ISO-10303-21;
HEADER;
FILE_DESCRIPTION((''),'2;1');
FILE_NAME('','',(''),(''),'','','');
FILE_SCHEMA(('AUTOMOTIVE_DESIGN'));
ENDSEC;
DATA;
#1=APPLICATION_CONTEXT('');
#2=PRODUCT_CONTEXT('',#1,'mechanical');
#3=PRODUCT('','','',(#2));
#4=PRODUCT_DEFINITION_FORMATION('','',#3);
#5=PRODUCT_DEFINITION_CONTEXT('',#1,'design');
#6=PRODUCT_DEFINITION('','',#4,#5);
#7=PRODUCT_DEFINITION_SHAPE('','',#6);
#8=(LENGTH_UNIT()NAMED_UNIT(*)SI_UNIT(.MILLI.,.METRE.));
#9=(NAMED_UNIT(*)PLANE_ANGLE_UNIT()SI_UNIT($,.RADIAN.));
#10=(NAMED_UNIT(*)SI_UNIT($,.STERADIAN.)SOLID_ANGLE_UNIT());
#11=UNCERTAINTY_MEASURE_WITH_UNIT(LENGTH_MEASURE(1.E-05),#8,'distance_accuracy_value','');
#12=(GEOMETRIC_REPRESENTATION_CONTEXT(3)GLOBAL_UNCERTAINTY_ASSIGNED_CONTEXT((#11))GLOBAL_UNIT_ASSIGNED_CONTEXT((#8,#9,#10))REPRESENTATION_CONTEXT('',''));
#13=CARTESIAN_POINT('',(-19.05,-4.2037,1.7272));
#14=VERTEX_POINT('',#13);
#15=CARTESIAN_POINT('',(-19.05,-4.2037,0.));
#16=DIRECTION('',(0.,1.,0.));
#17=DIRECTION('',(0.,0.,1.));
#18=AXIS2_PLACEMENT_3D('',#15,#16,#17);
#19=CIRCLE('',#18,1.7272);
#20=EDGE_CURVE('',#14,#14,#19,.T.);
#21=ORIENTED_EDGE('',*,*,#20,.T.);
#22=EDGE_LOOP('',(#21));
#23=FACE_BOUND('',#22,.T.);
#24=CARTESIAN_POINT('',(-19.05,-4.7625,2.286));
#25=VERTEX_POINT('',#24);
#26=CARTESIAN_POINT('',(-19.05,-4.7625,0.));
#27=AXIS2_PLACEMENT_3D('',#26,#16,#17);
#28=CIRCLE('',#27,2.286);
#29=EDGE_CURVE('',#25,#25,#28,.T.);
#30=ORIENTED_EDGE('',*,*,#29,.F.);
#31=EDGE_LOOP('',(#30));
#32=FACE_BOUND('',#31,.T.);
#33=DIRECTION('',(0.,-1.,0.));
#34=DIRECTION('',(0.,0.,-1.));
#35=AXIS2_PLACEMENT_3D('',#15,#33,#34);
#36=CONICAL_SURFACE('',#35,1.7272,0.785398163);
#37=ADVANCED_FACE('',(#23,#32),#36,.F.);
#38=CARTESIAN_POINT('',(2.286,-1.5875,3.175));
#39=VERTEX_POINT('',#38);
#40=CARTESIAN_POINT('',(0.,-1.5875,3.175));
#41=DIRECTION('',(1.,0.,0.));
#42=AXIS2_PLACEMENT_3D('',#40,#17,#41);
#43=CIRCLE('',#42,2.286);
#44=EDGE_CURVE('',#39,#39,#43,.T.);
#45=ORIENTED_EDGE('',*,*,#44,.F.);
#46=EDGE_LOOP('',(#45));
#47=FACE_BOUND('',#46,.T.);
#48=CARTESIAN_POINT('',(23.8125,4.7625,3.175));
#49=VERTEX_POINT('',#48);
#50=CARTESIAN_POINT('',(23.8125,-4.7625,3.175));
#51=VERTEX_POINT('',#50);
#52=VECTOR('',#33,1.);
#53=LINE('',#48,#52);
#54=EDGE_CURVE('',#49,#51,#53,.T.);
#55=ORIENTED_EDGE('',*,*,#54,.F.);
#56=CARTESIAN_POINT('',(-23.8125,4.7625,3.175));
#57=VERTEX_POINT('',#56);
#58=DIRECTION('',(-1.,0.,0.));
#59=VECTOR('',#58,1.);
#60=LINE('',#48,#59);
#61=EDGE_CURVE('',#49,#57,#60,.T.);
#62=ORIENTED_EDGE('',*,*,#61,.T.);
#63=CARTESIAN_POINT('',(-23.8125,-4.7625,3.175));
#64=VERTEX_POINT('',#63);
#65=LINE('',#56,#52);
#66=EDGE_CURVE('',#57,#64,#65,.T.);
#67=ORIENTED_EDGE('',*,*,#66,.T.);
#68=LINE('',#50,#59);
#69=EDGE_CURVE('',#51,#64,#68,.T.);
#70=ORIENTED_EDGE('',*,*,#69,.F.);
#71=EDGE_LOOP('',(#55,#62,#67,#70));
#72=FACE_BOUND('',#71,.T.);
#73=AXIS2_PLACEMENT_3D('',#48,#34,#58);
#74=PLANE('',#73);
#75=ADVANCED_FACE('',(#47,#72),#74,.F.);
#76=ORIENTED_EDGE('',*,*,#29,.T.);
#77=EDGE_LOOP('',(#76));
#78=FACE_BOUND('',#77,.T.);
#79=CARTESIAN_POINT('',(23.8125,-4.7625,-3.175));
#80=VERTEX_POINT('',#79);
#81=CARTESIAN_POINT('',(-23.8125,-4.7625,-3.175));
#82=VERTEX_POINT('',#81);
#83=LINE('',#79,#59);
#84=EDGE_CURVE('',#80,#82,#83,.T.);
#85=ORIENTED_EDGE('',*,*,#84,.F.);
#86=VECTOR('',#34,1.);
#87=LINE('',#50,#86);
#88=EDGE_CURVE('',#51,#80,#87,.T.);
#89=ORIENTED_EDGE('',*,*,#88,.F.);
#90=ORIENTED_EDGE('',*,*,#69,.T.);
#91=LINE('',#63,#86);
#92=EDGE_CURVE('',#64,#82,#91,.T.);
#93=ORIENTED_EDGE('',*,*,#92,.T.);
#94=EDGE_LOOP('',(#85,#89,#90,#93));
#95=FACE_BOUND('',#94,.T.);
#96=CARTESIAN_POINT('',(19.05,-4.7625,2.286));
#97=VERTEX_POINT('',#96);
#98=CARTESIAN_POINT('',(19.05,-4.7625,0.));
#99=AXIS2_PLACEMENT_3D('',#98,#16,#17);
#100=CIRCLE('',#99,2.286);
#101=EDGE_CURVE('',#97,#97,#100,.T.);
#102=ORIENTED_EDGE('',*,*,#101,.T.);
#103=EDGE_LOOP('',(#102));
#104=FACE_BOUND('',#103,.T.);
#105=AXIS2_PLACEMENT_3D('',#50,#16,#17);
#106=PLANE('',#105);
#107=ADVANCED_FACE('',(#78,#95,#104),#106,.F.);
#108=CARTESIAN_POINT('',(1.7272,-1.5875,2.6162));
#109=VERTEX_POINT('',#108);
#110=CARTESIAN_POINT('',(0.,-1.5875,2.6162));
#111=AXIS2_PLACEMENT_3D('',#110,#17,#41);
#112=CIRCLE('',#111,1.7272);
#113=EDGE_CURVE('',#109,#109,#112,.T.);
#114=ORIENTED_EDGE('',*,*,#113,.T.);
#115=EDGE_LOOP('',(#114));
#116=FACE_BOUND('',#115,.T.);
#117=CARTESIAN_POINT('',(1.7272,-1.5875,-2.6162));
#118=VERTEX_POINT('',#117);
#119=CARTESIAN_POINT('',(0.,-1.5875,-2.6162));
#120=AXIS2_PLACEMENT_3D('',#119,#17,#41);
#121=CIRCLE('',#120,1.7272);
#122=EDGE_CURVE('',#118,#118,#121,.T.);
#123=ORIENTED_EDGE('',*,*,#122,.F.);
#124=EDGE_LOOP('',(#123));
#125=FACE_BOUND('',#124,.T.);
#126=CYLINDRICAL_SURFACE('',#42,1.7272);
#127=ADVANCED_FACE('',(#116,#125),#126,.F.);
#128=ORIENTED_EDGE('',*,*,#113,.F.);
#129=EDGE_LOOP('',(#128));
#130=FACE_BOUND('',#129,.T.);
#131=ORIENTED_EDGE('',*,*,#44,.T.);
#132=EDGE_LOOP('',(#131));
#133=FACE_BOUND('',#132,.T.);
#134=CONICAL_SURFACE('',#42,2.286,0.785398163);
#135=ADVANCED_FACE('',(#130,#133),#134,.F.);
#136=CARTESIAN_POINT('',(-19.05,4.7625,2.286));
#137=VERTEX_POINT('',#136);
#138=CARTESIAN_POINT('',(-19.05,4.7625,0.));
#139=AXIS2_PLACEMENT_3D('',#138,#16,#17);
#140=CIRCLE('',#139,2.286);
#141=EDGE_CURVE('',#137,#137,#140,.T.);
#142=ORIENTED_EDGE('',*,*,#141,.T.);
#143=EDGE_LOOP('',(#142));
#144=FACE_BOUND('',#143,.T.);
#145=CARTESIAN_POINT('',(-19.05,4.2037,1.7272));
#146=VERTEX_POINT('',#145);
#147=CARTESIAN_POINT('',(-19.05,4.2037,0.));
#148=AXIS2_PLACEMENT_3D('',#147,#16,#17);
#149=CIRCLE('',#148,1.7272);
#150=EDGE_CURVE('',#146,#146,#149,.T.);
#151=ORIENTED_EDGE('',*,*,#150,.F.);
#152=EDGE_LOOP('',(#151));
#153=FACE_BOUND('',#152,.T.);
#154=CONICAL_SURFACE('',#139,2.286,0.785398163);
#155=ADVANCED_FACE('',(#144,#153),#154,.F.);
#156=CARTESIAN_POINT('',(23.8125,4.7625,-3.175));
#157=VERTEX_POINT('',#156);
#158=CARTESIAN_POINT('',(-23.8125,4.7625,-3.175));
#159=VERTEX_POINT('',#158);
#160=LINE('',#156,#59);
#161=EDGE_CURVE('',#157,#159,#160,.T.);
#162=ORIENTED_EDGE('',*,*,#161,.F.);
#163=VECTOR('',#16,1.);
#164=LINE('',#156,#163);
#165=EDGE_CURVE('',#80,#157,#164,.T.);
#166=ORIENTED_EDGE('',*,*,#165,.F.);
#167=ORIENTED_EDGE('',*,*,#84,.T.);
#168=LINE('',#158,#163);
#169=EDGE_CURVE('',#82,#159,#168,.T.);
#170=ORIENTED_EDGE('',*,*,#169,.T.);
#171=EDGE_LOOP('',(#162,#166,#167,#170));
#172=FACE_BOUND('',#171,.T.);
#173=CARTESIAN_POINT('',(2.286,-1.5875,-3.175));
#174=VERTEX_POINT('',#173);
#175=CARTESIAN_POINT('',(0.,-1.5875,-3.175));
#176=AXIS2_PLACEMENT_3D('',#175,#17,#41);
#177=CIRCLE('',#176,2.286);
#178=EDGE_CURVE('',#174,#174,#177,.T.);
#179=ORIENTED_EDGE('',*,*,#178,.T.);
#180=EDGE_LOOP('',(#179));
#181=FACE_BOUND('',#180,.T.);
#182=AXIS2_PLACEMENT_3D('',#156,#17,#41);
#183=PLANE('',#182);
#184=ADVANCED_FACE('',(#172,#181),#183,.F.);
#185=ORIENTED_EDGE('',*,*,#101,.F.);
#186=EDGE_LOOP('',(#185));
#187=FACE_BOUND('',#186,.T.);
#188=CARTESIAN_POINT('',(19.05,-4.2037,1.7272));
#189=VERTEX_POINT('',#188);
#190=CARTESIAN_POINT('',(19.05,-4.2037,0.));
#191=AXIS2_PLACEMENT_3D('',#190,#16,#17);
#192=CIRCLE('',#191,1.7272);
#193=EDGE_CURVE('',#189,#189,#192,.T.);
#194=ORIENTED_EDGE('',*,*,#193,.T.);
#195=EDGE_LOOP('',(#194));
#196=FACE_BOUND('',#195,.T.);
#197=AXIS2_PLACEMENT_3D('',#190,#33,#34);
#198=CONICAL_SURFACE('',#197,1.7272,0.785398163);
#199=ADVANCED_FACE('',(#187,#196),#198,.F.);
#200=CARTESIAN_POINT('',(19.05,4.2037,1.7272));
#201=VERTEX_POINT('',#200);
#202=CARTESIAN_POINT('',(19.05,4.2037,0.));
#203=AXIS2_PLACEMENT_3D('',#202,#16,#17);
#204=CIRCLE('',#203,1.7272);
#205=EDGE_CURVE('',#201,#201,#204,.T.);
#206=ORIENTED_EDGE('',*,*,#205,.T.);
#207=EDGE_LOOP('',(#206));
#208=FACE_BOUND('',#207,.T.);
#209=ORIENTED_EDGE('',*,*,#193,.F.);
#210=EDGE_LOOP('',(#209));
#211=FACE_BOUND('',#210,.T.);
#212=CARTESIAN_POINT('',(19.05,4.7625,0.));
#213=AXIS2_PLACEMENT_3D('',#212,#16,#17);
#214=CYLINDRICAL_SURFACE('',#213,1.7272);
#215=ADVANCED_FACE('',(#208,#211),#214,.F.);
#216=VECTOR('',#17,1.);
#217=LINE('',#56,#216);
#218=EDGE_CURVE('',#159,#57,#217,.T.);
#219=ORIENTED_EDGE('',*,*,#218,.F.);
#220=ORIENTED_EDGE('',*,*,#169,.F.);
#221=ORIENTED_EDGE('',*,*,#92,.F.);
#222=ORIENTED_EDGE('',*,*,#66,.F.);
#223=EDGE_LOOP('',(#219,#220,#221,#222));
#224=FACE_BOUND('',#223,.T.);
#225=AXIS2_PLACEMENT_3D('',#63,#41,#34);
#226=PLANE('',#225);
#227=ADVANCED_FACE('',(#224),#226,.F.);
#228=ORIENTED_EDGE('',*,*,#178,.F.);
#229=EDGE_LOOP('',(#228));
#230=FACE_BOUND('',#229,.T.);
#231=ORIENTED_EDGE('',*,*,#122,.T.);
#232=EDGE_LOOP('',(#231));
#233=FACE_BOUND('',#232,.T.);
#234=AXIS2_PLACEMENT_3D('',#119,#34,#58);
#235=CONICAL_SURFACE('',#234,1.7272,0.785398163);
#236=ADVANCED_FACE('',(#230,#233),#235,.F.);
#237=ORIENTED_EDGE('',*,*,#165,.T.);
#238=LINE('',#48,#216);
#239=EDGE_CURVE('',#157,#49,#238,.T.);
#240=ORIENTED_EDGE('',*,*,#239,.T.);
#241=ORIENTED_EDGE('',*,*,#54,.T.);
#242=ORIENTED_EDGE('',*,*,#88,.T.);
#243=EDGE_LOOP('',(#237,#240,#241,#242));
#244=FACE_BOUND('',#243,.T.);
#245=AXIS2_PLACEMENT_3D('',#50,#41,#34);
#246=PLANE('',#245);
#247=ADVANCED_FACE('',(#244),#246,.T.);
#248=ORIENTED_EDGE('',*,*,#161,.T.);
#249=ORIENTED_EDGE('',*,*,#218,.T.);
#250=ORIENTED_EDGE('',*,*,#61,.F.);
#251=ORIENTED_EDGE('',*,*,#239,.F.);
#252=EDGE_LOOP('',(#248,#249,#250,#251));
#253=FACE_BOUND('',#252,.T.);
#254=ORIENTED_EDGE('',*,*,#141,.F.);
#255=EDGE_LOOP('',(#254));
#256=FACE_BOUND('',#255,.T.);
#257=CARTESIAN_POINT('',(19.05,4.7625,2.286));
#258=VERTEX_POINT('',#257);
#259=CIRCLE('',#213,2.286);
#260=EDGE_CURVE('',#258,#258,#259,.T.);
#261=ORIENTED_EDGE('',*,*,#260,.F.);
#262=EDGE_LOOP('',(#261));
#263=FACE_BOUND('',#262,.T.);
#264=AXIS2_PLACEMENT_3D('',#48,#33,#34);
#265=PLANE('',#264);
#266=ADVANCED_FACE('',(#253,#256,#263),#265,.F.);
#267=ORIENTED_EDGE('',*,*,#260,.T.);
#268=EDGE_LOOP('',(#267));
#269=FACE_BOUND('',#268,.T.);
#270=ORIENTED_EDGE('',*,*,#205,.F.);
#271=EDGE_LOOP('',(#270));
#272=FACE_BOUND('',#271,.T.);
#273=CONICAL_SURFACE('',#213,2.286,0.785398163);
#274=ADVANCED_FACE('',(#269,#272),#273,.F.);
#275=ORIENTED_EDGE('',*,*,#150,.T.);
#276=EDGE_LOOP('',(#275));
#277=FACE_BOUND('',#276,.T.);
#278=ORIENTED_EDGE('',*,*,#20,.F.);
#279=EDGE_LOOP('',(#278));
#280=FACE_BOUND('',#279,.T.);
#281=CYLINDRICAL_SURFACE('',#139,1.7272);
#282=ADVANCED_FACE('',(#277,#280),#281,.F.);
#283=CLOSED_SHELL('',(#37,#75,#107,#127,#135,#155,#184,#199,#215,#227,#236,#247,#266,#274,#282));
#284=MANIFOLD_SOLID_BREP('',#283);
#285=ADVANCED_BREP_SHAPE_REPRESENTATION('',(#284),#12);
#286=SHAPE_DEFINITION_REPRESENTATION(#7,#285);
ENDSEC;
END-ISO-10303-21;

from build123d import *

# Parameters (mm, degrees)
SKETCH1_W                      = 6.35
SKETCH1_H                      = 9.525
BOSS_EXTRUDE1_DEPTH            = 23.8125
F_8_32_TAPPED_HOLE1_AT_2_COUNT = 2
F_8_32_TAPPED_HOLE1_AT_2_PITCH = 38.1


with BuildPart() as part:
    # Sketch1 → Boss-Extrude1 (new, symmetric)
    with BuildSketch(Plane(origin=(0, 0, 0), x_dir=(0, 0, -1), z_dir=(1, 0, 0))):
        Rectangle(SKETCH1_W, SKETCH1_H)
    extrude(amount=BOSS_EXTRUDE1_DEPTH, both=True)

    # Sketch2 → #8-32 Tapped Hole1 (revolve, cut)
    with BuildSketch(Plane(origin=(19.05, 4.7625, 0), x_dir=(0, 0, 1), z_dir=(1, 0, 0))):
        Polygon((0, 0), (0, 9.525), (2.286, 9.525), (1.7272, 8.9662), (1.7272, 0.5588), (2.286, 0), align=None)
    f_8_32_tapped_hole1 = revolve(axis=Axis((19.05, 11.1125, 0), (0, -1, 0)), mode=Mode.SUBTRACT)

    # #8-32 Tapped Hole1 at 2: #8-32 Tapped Hole1 ×2
    with Locations(*[(-i * F_8_32_TAPPED_HOLE1_AT_2_PITCH, 0, 0) for i in range(1, F_8_32_TAPPED_HOLE1_AT_2_COUNT)]):
        add(f_8_32_tapped_hole1, mode=Mode.SUBTRACT)

    # Sketch4 → #8-32 Tapped Hole2 (revolve, cut)
    with BuildSketch(Plane(origin=(0, -1.5875, 3.175), x_dir=(0, -1, 0), z_dir=(1, 0, 0))):
        Polygon((0, 0), (0, 6.35), (2.286, 6.35), (1.7272, 5.7912), (1.7272, 0.5588), (2.286, 0), align=None)
    revolve(axis=Axis((0, -1.5875, 9.525), (0, 0, -1)), mode=Mode.SUBTRACT)


solid = part.part
